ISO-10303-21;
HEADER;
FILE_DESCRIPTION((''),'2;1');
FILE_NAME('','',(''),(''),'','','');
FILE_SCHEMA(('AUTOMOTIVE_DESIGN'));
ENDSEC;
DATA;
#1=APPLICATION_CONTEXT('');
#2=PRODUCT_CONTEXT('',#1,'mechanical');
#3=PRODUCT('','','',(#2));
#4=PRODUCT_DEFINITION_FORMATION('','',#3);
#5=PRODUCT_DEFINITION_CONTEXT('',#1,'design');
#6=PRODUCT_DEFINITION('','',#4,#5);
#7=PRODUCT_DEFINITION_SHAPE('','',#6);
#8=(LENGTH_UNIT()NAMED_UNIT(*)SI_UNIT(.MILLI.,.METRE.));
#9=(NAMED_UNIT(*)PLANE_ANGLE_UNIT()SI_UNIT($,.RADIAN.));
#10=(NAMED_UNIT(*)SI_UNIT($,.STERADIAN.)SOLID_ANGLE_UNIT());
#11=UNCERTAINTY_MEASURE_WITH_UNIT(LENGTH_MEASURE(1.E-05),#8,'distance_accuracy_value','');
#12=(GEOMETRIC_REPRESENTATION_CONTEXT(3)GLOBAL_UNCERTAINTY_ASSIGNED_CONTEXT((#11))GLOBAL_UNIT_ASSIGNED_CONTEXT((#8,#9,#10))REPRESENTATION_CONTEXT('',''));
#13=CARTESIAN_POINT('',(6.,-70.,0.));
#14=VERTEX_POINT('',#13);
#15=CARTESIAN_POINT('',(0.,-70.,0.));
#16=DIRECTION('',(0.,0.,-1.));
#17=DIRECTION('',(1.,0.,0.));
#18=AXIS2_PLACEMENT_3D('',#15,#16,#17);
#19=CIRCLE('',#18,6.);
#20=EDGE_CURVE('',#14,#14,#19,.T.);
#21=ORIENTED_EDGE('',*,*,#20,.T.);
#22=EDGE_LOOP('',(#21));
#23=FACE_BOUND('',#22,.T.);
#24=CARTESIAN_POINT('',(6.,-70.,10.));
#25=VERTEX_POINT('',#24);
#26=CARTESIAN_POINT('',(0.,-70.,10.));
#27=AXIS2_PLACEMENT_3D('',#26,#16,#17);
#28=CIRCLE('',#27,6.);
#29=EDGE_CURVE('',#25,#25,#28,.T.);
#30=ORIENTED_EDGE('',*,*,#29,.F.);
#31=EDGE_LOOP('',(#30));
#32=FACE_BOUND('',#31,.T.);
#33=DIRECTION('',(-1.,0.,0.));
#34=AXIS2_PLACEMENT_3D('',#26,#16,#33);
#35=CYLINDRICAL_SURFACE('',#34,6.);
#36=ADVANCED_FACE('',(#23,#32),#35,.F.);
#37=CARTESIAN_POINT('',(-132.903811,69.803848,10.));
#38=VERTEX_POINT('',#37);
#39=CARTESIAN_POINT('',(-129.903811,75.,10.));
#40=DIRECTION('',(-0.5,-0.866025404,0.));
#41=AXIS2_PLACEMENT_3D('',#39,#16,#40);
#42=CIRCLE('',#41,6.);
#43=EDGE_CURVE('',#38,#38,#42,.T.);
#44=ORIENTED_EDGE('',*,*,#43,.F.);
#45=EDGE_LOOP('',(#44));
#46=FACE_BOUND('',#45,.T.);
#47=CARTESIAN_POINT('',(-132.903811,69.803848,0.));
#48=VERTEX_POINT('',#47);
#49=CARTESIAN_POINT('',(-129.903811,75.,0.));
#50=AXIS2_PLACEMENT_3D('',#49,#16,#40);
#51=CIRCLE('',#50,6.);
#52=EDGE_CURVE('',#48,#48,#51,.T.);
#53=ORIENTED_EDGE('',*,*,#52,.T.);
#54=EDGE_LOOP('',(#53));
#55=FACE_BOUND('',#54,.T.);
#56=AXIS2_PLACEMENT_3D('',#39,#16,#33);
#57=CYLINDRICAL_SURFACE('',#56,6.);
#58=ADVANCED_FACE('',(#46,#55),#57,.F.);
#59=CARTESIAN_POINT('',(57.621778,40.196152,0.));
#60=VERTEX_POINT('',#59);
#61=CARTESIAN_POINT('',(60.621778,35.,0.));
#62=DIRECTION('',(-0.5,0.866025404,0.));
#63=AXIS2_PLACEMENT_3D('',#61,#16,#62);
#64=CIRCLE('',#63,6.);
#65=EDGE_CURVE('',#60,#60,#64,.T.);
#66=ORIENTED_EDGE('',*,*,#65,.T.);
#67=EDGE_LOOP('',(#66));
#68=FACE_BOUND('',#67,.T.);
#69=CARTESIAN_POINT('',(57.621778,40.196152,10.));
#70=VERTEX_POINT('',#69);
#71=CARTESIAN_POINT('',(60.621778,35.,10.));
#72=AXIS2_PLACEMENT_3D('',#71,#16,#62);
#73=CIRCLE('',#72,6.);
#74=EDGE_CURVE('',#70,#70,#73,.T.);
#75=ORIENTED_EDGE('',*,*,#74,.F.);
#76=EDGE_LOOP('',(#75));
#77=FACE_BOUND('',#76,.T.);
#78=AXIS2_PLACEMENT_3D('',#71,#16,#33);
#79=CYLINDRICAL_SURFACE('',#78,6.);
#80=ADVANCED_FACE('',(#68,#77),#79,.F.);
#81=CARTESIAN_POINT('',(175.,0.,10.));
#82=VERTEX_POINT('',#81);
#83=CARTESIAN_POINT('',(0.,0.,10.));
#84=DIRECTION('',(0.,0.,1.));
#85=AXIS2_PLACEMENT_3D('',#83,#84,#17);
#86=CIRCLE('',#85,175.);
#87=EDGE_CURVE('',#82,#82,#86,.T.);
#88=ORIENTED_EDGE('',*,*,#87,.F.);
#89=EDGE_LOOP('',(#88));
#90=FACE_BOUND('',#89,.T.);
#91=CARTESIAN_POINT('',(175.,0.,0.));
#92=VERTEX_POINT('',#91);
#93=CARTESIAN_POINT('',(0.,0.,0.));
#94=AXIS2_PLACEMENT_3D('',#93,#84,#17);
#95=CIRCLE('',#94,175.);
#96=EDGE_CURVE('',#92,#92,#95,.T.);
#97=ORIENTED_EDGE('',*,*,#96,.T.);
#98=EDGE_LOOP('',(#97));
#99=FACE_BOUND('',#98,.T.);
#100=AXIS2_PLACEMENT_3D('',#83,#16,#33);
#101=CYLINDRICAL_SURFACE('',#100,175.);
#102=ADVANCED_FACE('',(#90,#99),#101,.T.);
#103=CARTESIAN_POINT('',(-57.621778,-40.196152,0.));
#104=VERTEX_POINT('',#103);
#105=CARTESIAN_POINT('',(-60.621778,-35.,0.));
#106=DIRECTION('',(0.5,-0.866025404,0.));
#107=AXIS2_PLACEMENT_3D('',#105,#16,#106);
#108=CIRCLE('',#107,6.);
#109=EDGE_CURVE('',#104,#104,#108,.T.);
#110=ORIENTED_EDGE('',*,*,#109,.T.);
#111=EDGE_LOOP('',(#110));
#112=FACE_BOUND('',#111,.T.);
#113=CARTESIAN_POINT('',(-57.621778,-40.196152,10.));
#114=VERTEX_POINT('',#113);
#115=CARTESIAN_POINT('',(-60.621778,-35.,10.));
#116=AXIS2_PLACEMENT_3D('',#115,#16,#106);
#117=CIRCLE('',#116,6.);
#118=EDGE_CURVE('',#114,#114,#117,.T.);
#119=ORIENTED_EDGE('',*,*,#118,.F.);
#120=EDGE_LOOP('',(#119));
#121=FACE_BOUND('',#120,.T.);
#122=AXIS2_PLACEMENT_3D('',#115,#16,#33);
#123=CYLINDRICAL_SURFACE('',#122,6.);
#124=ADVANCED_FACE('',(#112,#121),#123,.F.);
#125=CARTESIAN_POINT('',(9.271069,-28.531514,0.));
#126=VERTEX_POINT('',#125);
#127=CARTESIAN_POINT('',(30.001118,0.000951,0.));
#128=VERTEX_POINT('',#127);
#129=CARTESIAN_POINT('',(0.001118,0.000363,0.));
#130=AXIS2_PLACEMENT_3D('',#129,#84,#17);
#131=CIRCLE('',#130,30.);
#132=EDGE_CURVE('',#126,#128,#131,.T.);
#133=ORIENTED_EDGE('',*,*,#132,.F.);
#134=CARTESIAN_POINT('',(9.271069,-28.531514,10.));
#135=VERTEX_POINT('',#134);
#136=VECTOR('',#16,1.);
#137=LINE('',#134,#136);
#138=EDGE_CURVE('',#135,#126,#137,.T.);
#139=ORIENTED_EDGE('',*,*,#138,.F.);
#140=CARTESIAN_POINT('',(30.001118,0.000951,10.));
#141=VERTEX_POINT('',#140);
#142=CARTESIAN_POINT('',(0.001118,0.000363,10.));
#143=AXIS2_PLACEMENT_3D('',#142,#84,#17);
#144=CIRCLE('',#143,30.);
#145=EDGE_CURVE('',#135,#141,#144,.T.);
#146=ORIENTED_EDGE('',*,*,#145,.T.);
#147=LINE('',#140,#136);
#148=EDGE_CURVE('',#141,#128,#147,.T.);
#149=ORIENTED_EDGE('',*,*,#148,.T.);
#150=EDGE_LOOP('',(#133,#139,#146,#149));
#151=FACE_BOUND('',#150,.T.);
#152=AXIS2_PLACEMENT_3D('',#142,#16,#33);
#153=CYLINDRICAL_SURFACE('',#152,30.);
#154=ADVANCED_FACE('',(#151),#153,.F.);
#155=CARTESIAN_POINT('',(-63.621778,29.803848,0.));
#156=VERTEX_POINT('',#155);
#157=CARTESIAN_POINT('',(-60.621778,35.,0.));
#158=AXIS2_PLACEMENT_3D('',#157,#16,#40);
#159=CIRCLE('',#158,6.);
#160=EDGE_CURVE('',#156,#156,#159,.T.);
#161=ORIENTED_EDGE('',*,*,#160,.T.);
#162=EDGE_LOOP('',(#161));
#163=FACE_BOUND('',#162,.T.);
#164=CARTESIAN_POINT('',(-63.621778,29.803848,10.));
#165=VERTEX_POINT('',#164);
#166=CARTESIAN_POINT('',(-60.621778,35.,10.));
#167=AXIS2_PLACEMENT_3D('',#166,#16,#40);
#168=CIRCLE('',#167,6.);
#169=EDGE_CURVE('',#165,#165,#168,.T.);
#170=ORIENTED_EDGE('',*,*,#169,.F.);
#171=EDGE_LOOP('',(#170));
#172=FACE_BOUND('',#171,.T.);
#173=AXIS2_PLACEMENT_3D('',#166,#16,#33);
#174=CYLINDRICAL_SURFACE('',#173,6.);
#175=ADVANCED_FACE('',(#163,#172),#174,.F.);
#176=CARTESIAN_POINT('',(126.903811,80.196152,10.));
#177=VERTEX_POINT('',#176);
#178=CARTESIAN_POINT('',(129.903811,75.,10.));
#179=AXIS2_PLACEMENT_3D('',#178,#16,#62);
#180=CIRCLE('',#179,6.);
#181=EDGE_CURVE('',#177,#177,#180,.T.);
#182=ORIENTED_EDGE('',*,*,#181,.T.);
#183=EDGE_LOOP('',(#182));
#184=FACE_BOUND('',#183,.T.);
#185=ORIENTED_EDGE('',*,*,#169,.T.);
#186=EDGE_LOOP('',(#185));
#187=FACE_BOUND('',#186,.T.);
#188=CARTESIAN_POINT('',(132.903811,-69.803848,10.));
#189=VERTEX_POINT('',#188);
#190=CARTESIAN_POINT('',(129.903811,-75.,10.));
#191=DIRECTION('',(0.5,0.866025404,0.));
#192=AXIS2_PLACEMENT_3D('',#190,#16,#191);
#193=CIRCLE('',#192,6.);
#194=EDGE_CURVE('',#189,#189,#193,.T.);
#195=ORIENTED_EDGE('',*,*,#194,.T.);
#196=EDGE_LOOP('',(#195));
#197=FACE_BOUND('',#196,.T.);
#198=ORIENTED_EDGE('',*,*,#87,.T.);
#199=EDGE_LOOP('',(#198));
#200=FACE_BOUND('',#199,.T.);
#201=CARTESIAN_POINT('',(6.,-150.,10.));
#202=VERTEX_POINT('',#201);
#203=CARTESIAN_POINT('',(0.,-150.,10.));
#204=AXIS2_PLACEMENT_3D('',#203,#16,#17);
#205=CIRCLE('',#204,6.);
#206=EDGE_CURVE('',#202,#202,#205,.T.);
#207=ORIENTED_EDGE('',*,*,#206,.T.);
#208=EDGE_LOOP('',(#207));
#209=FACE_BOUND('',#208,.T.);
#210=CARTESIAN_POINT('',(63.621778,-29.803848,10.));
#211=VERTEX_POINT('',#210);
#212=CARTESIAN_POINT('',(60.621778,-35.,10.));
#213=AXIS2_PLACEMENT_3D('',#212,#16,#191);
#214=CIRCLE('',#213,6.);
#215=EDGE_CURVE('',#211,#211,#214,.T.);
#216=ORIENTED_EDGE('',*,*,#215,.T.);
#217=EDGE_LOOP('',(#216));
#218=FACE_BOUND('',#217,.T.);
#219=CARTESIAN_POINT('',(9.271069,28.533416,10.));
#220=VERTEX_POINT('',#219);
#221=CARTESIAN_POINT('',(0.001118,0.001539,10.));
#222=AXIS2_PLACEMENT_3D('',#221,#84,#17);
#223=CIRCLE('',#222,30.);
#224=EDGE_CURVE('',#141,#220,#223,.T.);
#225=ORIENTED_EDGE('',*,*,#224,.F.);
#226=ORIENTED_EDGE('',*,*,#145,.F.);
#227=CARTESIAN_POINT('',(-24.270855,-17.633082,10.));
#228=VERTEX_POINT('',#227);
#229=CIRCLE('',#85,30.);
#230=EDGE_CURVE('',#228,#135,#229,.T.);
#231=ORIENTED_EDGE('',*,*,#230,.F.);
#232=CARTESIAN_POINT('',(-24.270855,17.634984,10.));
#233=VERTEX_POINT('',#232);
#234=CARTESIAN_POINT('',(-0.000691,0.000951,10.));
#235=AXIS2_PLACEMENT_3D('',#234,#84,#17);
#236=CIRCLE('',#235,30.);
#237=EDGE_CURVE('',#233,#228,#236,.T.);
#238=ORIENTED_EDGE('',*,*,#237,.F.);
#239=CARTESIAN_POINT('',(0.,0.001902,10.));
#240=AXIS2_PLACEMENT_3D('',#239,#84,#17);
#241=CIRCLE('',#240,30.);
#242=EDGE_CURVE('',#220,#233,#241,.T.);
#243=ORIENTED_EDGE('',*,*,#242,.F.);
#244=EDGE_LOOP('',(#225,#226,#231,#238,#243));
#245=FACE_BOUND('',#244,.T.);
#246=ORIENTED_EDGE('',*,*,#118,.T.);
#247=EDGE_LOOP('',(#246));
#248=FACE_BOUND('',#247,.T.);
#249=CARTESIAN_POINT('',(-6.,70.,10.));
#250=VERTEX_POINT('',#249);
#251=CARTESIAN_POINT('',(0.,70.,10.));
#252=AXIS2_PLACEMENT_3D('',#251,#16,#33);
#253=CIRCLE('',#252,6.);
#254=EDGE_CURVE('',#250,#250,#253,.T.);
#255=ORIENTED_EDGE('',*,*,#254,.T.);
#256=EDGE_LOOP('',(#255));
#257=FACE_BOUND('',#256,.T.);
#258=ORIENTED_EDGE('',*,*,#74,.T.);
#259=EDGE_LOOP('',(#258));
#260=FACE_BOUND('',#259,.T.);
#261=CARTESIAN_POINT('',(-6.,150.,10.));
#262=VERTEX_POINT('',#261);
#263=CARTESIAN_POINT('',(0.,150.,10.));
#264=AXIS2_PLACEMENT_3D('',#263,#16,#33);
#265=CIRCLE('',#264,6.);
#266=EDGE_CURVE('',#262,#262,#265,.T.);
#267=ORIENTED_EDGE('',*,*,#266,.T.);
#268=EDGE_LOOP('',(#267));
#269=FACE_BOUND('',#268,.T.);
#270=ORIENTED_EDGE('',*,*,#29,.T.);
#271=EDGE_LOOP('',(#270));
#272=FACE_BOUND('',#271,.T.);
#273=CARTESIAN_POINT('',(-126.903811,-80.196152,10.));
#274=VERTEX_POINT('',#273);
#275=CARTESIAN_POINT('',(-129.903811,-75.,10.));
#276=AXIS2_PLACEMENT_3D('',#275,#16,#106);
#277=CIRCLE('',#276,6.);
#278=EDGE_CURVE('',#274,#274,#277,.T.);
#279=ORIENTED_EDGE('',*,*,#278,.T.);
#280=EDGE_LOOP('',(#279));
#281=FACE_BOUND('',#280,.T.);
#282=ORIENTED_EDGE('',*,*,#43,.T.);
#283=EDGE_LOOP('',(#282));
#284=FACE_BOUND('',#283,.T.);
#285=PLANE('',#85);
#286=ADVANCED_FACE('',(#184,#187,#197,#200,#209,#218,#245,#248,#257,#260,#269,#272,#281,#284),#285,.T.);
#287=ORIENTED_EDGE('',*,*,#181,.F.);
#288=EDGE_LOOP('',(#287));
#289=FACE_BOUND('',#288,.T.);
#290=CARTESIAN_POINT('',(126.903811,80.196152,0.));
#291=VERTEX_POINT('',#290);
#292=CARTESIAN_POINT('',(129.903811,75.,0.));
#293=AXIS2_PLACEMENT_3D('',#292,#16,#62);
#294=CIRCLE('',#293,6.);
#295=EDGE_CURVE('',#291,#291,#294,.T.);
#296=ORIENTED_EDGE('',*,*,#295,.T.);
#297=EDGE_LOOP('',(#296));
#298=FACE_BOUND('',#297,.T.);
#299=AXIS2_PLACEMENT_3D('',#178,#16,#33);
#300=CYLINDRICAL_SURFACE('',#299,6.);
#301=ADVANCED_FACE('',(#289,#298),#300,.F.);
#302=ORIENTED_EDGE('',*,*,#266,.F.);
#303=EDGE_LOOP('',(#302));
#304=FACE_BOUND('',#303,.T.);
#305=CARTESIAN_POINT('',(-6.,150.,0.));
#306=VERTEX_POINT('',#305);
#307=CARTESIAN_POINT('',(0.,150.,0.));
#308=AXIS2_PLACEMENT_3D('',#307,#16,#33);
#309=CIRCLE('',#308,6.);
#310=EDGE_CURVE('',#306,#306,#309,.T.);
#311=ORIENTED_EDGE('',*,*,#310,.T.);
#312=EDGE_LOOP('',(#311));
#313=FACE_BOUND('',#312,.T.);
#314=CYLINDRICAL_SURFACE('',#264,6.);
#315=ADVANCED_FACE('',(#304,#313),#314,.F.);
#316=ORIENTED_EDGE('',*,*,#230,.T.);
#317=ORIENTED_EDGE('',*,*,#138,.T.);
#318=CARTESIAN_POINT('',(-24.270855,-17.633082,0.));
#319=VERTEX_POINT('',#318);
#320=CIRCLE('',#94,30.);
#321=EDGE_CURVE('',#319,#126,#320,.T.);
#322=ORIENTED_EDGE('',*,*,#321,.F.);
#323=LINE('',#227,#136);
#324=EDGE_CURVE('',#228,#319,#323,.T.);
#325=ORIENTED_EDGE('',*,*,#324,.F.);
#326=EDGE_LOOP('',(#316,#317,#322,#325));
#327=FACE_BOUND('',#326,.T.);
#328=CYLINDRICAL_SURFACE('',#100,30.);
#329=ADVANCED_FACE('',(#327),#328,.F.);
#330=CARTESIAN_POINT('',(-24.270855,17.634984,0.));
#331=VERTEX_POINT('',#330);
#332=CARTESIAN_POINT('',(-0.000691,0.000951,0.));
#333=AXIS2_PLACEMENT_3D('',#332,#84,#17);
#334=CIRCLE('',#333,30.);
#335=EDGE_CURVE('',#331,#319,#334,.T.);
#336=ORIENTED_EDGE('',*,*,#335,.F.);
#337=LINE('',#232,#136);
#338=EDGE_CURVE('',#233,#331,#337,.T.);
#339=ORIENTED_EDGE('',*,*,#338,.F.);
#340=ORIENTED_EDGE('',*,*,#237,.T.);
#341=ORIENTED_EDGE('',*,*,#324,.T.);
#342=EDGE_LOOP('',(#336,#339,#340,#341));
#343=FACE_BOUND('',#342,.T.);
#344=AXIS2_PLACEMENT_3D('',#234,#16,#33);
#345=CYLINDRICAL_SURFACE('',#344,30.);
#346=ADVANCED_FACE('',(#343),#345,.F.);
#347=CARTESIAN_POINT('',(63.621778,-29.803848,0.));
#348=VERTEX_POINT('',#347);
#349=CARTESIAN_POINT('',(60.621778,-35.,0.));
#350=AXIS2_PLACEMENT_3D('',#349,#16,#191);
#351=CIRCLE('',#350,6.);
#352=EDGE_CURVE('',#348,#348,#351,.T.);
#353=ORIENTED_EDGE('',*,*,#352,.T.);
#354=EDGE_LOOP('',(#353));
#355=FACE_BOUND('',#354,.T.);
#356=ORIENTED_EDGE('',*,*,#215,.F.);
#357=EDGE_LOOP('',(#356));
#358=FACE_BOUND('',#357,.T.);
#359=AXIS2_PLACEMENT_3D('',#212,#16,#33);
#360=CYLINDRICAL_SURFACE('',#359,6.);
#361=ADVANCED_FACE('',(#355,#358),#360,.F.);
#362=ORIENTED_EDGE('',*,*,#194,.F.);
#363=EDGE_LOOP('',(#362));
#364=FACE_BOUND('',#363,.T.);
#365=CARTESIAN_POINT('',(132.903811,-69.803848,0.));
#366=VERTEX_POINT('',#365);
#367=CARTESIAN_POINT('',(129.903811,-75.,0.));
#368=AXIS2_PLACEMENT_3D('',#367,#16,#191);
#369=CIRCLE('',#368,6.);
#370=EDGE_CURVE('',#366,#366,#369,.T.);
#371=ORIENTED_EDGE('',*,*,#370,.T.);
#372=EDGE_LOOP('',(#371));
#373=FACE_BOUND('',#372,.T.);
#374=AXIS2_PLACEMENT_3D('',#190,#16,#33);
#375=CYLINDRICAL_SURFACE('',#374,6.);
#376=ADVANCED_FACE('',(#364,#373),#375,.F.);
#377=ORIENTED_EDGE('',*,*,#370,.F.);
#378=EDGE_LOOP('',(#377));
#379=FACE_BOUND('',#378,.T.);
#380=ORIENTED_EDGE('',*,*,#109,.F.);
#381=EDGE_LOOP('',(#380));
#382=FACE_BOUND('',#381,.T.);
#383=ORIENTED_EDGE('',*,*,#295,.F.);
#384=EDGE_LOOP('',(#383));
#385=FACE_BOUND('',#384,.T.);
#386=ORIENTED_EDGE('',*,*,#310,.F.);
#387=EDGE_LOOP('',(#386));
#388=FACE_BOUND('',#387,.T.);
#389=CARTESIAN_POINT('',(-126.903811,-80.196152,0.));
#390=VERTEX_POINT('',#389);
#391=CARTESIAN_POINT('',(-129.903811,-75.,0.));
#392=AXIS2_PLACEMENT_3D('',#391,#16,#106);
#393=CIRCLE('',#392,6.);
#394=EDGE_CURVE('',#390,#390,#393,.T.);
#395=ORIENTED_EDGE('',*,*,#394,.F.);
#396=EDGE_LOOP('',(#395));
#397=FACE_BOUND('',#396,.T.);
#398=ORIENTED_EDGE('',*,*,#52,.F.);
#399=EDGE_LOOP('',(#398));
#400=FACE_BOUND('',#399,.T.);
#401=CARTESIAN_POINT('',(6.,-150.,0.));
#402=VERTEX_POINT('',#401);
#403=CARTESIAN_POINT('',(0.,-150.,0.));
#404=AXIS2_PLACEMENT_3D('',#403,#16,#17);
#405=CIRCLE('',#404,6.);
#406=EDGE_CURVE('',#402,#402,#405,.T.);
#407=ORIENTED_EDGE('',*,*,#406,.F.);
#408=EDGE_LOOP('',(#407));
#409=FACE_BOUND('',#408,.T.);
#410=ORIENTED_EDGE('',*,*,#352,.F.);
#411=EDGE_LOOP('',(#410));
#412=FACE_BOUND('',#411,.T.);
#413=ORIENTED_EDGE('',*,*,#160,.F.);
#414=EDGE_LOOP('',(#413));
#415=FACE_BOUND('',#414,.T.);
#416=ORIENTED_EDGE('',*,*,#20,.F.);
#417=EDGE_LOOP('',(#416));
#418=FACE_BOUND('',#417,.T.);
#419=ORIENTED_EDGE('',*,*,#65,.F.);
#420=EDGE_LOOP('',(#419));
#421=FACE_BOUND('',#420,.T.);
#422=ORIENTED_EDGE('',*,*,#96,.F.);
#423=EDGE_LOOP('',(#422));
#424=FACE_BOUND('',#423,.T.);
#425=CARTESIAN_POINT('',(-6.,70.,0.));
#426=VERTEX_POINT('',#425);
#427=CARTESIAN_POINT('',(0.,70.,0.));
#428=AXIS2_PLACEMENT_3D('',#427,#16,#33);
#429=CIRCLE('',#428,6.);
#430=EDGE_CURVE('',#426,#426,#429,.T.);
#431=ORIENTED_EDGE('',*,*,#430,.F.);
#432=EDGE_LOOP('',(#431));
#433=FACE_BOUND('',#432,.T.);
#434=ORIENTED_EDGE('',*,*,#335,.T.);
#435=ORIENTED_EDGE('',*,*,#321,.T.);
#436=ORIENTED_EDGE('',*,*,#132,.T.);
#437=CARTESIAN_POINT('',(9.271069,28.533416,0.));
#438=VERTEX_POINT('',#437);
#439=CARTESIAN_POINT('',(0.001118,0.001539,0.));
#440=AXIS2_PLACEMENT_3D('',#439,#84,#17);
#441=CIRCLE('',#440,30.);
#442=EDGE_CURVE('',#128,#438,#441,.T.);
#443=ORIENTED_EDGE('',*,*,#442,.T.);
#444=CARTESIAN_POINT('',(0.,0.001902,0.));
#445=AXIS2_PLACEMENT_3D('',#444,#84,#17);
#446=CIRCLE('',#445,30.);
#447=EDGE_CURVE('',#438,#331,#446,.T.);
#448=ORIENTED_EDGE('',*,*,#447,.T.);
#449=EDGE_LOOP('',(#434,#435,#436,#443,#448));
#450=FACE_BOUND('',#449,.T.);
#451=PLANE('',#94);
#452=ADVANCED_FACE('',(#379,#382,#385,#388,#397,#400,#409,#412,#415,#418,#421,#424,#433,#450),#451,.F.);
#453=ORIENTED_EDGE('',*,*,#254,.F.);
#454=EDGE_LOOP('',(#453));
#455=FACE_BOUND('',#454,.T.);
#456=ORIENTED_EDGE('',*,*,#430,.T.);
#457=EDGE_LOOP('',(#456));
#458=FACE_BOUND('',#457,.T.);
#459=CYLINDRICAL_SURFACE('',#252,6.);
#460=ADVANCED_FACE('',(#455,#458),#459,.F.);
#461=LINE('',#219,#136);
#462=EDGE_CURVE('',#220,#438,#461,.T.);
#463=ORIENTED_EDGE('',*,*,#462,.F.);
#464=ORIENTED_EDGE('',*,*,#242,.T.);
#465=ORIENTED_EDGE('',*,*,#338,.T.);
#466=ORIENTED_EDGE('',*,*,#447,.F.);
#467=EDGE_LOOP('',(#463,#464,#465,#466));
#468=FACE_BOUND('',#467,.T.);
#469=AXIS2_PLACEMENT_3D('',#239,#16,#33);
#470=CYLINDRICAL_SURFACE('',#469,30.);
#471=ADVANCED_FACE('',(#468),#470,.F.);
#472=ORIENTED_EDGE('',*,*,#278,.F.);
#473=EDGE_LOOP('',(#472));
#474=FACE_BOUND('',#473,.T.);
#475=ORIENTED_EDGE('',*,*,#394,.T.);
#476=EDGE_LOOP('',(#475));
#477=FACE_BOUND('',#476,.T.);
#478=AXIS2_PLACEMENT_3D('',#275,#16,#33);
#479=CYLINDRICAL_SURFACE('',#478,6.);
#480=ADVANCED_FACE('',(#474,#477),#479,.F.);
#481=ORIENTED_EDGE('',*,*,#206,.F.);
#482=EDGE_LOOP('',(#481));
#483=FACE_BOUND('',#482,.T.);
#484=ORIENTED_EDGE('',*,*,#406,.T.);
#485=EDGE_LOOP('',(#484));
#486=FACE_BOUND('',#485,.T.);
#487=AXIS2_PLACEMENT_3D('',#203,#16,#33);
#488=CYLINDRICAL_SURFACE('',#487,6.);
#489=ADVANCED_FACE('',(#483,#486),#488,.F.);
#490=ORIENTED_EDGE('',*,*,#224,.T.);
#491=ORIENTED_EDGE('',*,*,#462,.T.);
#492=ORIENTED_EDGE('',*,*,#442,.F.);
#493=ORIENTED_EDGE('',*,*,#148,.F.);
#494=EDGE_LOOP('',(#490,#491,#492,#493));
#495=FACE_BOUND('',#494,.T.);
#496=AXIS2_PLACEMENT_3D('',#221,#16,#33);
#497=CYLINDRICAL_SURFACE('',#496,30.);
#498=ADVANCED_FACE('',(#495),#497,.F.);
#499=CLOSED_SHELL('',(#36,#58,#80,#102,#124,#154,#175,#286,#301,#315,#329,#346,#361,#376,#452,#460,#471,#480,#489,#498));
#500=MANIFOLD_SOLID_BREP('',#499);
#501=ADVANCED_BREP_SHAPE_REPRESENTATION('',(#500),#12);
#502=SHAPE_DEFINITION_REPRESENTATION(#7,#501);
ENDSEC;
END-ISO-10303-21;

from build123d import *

# Parameters (mm, degrees)
SKETCH1_R           = 175
BOSS_EXTRUDE2_DEPTH = 10
SKETCH2_R           = 6
CUT_EXTRUDE1_DEPTH  = 248.68932153
CIRPATTERN2_COUNT   = 6


with BuildPart() as part:
    # Sketch1 → Boss-Extrude2 (new body)
    with BuildSketch(Plane.XY):
        Circle(SKETCH1_R)
        with BuildLine():
            ThreePointArc((30.001118034, 0.000363271), (24.271455118, -17.633432061), (9.271068846, -28.531513848))
            ThreePointArc((9.271068846, -28.531513848), (-9.270509831, -28.531695489), (-24.270855318, -17.633082037))
            ThreePointArc((-24.270855318, -17.633082037), (-30.000690983, 0.000951057), (-24.270855318, 17.63498415))
            ThreePointArc((-24.270855318, 17.63498415), (-9.270509831, 28.533597602), (9.271068846, 28.533415961))
            ThreePointArc((9.271068846, 28.533415961), (24.271455118, 17.635334174), (30.001118034, 0.001538842))
            ThreePointArc((30.001118034, 0.001538842), (30.001118028, 0.000951057), (30.001118011, 0.000363271))
        make_face(mode=Mode.SUBTRACT)
    extrude(amount=BOSS_EXTRUDE2_DEPTH)

    # Sketch2 → Cut-Extrude1 (cut, through all)
    with BuildSketch(Plane(origin=(0, 0, 0), x_dir=(-1, 0, 0), z_dir=(0, 0, -1))):
        with Locations((0, 70)):
            Circle(SKETCH2_R)
        with Locations((0, 150)):
            Circle(SKETCH2_R)
    cut_extrude1 = extrude(amount=-CUT_EXTRUDE1_DEPTH, mode=Mode.SUBTRACT)

    # CirPattern2: Cut-Extrude1 ×6 about axis
    cirpattern2_axis = Axis((0, 0, 0), (0, 0, 1))
    for i in range(1, CIRPATTERN2_COUNT):
        add(cut_extrude1.rotate(cirpattern2_axis, i * 360 / CIRPATTERN2_COUNT), mode=Mode.SUBTRACT)


solid = part.part
